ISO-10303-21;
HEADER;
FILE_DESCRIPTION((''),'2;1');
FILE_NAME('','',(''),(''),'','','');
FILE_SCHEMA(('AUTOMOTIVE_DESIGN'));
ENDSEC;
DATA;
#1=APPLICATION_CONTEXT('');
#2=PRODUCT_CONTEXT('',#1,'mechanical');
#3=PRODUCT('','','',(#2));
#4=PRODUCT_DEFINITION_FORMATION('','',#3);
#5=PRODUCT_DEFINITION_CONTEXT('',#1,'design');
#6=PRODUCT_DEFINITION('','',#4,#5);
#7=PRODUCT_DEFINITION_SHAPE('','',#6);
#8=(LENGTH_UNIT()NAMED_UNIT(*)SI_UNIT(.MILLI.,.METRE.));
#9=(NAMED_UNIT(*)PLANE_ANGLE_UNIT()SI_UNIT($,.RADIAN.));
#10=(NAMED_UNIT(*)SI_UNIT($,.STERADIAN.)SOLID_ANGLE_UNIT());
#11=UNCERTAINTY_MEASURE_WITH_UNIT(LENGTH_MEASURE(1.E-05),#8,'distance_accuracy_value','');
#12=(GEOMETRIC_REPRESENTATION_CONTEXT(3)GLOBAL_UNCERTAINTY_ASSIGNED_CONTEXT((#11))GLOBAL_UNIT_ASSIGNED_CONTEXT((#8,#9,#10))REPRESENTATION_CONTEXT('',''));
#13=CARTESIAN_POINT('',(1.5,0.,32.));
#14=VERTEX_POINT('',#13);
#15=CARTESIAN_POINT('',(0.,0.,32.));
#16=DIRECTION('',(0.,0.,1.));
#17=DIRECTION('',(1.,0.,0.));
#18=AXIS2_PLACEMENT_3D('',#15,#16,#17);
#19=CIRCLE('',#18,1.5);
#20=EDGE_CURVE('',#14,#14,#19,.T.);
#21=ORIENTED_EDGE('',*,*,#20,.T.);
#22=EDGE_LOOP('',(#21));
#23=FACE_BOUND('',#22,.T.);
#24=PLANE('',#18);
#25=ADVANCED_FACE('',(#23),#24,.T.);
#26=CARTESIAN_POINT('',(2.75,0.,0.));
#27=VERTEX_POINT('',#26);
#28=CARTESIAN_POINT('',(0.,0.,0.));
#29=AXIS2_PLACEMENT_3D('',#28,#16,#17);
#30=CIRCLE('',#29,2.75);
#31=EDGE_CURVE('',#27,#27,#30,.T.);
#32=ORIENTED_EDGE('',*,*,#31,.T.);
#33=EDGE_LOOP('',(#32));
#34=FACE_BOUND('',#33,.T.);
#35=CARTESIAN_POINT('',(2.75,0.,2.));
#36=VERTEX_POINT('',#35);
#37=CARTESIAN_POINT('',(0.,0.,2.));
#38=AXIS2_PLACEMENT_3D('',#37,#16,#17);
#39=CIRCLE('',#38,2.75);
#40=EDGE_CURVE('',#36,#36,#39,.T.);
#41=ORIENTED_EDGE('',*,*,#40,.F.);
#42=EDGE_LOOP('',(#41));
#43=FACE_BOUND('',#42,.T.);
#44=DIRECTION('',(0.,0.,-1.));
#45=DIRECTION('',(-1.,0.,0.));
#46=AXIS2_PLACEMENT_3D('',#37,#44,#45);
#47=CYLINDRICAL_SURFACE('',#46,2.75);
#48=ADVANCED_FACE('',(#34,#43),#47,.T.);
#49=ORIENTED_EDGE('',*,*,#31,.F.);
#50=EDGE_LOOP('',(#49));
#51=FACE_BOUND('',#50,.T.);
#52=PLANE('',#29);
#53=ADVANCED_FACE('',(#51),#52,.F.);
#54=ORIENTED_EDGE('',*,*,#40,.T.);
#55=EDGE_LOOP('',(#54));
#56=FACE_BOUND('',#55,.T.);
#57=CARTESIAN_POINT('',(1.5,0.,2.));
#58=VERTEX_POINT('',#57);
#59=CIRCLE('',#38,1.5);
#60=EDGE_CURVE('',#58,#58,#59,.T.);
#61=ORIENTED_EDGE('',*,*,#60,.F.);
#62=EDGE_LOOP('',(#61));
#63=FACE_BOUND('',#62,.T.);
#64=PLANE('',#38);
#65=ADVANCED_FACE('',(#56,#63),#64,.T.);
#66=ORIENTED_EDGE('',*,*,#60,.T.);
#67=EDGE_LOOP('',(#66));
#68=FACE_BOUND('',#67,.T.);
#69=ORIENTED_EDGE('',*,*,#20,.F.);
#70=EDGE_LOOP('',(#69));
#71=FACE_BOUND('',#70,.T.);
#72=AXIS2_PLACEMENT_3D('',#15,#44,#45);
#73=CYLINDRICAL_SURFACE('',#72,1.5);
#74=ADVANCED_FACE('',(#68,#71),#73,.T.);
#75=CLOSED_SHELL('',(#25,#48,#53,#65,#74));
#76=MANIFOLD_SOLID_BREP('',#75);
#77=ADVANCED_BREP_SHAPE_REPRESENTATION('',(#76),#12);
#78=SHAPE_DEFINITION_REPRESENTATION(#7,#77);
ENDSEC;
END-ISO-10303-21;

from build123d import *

# Parameters (mm, degrees)
ESQUISSE1_R        = 2.75
BOSS_EXTRU_1_DEPTH = 2
ESQUISSE2_R        = 1.5
BOSS_EXTRU_2_DEPTH = 30


with BuildPart() as part:
    # Esquisse1 → Boss.-Extru.1 (new body)
    with BuildSketch(Plane.XY):
        Circle(ESQUISSE1_R)
    extrude(amount=BOSS_EXTRU_1_DEPTH)

    # Esquisse2 → Boss.-Extru.2 (add)
    with BuildSketch(Plane.XY.offset(2)):
        Circle(ESQUISSE2_R)
    extrude(amount=BOSS_EXTRU_2_DEPTH)


solid = part.part
